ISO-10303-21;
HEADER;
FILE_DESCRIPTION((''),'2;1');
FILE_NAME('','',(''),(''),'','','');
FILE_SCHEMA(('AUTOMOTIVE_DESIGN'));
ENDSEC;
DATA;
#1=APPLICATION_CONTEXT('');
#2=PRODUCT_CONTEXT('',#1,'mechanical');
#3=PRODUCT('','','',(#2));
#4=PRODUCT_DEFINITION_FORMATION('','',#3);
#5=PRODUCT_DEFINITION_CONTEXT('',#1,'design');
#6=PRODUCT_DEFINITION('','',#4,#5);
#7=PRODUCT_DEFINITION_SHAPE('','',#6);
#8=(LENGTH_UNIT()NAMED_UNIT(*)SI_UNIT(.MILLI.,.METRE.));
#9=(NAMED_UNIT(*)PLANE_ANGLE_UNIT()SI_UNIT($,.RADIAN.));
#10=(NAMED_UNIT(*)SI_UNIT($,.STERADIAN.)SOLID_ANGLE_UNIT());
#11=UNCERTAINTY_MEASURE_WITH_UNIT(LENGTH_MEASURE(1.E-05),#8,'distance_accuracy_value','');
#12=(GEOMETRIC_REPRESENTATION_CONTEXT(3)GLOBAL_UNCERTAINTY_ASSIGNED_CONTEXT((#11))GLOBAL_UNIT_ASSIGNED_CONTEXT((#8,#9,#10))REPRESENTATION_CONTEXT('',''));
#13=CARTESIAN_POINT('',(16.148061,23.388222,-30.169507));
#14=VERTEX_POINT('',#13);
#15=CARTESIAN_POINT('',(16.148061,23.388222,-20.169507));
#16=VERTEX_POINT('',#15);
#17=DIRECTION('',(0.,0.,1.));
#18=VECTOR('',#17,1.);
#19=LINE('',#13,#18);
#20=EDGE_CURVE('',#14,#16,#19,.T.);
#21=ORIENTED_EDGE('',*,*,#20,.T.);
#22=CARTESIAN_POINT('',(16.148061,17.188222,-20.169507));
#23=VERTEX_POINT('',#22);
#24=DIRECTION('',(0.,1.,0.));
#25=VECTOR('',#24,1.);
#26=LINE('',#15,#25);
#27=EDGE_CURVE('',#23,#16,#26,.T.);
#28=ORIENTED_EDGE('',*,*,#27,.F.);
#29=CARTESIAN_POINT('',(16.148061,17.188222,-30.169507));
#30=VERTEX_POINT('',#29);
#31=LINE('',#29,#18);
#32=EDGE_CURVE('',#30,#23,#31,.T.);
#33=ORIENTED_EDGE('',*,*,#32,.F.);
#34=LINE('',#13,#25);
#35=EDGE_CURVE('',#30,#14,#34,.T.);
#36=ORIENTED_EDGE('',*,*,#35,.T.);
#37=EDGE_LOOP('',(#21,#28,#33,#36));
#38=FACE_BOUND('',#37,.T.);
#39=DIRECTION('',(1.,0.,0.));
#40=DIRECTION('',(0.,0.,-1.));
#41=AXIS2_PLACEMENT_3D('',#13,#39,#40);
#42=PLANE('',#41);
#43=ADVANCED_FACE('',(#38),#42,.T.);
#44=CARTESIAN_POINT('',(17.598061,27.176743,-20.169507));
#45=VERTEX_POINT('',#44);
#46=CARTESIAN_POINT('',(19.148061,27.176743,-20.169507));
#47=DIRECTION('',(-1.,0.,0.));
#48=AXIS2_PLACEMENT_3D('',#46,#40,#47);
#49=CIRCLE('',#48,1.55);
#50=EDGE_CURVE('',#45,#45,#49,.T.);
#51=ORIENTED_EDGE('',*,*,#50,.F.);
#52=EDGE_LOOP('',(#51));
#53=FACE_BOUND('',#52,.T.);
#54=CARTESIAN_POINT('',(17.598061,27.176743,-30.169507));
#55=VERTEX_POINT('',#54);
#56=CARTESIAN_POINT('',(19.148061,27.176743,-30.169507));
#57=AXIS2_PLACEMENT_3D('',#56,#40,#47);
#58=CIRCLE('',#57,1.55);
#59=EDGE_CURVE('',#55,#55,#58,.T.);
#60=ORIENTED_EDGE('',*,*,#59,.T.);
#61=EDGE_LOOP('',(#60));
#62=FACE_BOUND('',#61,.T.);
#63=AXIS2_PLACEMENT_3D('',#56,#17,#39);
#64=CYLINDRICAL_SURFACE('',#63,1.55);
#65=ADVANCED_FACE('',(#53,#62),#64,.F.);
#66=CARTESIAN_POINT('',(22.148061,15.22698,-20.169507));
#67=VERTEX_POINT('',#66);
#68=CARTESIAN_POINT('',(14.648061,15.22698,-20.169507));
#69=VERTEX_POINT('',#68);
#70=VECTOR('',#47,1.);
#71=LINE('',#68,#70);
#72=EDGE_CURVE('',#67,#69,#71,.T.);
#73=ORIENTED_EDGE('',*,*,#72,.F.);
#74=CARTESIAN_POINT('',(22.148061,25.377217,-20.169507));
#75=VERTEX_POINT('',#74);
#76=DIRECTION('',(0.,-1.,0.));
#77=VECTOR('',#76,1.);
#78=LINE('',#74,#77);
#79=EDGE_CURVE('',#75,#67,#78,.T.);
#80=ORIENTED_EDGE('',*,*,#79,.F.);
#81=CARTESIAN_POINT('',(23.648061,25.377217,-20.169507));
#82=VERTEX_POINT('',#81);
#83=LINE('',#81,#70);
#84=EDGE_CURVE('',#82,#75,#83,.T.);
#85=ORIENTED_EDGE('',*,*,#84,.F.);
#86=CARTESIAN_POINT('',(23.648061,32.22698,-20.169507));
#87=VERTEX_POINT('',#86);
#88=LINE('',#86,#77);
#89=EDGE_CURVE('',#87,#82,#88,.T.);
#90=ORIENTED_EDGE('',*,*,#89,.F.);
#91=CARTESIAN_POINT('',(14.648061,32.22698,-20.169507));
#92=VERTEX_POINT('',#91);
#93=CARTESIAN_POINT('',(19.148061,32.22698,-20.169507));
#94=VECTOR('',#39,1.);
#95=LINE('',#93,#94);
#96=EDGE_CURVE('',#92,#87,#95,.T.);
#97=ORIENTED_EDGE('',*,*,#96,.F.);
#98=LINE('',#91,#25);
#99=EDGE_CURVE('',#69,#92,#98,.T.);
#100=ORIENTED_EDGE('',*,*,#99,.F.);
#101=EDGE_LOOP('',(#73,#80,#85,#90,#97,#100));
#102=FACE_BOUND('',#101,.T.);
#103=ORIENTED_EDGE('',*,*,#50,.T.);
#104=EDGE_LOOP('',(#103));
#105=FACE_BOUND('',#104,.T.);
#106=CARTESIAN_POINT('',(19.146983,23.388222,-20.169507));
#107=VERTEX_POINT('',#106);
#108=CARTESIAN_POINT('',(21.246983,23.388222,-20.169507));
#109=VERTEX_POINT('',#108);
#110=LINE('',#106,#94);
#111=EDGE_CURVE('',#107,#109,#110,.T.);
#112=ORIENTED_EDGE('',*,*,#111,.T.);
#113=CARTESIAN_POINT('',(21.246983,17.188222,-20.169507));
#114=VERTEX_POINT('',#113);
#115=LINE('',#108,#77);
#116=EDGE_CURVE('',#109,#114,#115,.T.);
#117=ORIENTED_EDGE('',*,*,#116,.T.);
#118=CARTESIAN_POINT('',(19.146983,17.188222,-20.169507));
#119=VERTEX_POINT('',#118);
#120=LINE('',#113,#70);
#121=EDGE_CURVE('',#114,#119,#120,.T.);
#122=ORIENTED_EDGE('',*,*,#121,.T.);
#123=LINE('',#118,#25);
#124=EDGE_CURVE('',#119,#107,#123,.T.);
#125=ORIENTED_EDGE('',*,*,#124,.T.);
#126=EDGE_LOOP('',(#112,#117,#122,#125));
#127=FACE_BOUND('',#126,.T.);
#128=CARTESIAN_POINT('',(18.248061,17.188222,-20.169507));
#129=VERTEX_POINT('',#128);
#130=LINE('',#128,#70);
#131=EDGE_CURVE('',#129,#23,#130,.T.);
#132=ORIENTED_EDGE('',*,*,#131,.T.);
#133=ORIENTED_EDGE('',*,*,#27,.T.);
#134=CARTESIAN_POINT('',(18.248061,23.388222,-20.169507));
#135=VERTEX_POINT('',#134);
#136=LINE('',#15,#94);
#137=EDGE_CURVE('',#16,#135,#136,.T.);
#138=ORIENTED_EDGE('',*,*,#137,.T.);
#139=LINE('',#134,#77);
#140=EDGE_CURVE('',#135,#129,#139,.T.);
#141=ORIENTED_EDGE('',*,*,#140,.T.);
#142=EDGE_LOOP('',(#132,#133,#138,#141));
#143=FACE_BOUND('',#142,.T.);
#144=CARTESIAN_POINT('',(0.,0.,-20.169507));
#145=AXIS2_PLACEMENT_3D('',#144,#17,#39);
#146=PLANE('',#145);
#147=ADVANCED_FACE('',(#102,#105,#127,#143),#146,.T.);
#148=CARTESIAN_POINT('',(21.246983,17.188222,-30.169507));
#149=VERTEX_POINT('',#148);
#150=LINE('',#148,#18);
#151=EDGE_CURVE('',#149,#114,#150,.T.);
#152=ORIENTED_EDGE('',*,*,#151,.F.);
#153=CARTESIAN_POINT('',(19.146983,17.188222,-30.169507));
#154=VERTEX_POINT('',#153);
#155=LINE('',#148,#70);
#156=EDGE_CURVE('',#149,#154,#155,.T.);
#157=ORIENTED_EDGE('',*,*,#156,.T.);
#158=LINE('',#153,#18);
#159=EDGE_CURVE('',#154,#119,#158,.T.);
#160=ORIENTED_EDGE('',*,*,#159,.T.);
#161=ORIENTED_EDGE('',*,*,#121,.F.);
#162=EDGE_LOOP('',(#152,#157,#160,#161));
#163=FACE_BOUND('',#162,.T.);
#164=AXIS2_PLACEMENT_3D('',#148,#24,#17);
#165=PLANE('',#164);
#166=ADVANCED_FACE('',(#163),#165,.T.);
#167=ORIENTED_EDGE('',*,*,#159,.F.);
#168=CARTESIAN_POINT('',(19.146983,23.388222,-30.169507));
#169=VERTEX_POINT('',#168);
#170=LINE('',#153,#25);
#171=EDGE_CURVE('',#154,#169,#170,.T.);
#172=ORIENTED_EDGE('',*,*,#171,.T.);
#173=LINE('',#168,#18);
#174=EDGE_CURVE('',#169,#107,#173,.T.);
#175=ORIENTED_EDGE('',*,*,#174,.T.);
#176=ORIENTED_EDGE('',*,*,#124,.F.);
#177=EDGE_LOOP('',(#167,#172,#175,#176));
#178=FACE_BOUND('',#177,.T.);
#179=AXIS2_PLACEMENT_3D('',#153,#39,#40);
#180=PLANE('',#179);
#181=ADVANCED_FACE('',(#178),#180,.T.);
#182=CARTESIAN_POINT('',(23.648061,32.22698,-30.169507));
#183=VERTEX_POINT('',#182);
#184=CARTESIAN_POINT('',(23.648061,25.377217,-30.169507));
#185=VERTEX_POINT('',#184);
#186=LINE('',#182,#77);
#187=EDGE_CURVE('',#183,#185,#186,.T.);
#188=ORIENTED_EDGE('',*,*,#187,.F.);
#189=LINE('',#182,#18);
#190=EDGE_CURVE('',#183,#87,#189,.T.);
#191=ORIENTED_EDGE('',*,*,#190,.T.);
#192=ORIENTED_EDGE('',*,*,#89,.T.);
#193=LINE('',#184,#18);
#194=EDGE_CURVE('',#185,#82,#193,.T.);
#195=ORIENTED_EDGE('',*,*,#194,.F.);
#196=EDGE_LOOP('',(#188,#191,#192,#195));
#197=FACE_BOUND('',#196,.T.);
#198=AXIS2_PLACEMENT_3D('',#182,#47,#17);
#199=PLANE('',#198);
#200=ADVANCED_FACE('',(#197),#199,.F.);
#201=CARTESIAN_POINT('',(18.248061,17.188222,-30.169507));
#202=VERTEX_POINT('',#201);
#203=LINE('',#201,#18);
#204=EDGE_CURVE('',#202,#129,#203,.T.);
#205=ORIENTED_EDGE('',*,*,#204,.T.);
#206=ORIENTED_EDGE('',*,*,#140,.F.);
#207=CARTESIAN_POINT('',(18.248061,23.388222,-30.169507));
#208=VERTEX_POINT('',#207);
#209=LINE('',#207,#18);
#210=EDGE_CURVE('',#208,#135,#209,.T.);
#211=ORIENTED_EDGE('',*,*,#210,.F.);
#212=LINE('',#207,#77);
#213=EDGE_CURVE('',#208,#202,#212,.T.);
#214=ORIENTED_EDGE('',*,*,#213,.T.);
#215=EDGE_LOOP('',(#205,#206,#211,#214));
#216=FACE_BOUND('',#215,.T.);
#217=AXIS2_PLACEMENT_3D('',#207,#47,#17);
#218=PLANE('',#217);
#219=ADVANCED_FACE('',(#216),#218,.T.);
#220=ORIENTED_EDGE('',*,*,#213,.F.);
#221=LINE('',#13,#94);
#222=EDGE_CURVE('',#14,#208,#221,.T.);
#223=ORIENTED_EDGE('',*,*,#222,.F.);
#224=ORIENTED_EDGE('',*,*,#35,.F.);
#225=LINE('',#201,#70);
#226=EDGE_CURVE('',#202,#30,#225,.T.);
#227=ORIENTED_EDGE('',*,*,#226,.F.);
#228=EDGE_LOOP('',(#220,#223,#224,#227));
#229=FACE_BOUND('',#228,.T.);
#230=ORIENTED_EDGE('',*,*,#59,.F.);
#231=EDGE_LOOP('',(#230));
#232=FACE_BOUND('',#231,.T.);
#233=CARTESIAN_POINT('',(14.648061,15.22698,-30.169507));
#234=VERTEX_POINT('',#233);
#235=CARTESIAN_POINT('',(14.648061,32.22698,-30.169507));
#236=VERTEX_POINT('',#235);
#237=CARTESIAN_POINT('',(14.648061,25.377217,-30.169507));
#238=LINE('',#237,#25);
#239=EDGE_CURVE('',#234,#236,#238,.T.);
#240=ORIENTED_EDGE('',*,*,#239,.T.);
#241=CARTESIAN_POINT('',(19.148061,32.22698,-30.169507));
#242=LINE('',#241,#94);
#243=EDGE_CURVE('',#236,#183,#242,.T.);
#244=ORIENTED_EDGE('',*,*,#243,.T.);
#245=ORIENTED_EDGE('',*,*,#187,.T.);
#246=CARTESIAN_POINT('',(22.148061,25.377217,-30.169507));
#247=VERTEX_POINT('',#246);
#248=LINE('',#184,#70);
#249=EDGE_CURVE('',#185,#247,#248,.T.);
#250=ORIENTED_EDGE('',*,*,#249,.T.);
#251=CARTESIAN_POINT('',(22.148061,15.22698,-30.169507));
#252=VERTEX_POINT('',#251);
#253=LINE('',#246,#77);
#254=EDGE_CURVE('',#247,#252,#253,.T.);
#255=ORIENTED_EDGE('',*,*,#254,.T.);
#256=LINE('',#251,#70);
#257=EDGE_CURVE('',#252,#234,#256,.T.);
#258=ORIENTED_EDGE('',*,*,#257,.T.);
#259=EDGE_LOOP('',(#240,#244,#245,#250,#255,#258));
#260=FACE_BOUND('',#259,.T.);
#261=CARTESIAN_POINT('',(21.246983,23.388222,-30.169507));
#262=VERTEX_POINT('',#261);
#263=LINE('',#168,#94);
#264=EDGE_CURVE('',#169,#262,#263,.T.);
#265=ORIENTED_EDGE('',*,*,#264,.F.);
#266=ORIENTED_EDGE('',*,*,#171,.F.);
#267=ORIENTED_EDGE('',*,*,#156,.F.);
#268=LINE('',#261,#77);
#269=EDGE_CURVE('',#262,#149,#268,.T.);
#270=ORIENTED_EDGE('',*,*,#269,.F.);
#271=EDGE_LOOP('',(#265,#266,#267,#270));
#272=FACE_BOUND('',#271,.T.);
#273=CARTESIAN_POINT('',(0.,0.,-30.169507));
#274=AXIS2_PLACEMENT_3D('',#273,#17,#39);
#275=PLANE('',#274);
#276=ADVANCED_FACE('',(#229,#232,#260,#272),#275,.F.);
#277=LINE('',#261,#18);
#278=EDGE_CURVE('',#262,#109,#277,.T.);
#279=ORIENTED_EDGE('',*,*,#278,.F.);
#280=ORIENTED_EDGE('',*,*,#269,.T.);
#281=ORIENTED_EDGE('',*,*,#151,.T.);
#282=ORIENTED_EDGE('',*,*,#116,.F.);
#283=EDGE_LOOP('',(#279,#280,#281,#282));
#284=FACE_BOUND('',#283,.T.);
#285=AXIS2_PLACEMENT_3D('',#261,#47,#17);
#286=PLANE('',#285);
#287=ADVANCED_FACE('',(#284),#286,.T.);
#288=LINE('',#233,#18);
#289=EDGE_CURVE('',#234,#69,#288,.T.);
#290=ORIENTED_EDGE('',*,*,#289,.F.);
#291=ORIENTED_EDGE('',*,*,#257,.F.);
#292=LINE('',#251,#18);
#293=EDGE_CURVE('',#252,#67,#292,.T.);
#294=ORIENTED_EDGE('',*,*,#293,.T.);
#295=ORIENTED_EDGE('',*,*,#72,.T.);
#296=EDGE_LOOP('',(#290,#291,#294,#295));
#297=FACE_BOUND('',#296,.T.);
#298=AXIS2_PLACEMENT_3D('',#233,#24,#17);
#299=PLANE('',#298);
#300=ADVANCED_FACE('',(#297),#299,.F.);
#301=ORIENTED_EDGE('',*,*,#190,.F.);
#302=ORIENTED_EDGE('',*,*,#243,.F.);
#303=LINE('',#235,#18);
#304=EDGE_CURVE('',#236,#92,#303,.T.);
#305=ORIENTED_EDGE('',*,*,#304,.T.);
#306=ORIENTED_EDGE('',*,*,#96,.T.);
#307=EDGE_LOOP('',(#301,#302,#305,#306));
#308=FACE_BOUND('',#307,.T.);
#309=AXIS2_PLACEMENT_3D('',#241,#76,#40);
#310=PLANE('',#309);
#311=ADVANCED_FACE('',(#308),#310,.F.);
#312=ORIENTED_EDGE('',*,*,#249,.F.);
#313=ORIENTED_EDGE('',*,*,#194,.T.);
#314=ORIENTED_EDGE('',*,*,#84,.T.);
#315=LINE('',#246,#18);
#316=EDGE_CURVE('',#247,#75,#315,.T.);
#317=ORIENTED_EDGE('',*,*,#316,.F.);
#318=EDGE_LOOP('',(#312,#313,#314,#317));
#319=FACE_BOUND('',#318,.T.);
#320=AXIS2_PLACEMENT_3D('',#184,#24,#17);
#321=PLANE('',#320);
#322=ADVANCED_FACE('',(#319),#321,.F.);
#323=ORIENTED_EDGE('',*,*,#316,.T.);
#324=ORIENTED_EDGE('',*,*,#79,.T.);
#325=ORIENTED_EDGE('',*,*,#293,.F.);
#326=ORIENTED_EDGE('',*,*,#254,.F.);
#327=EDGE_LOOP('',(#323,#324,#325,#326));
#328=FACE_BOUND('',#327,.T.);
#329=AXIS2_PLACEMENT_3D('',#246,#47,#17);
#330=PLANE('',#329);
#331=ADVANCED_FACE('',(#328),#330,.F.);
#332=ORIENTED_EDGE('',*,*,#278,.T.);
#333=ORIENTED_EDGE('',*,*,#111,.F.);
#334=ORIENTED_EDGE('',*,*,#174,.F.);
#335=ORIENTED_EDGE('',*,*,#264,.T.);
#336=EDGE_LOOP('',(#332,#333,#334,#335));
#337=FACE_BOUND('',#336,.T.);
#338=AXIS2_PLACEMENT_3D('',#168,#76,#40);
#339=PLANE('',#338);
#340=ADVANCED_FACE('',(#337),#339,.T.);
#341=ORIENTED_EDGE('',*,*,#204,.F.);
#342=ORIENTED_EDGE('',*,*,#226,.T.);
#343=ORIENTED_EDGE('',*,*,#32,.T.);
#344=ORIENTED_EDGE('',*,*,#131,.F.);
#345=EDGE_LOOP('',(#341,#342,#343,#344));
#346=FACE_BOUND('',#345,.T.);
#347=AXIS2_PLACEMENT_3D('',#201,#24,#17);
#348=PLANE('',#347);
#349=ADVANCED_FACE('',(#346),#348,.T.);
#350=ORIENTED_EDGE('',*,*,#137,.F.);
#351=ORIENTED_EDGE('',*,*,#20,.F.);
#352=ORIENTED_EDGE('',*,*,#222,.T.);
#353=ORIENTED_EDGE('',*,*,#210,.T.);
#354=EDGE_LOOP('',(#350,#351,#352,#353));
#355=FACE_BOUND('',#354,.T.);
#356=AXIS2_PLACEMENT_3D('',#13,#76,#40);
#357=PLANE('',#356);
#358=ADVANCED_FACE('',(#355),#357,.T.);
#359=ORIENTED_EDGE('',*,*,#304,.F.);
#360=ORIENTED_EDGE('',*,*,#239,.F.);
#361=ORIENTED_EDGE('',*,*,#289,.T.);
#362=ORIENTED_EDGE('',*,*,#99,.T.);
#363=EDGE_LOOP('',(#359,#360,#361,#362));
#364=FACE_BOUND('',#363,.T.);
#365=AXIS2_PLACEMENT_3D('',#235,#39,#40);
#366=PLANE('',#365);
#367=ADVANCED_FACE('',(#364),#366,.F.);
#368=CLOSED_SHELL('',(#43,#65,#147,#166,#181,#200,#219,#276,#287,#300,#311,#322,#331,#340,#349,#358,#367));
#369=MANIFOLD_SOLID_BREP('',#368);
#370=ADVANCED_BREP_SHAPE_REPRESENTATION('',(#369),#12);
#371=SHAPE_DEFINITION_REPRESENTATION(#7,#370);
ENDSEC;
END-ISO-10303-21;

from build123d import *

# Parameters (mm, degrees)
SKIZZE2_R                       = 1.55
SKIZZE2_W                       = 2.1
SKIZZE2_H                       = 6.2
AUFSATZ_LINEAR_AUSTRAGEN1_DEPTH = 10


with BuildPart() as part:
    # Skizze2 → Aufsatz-Linear austragen1 (new body)
    with BuildSketch(Plane(origin=(0, 0, -20.169507331), x_dir=(-1, 0, 0), z_dir=(0, 0, -1))):
        Polygon((-22.148061032, 15.226980034), (-19.148061032, 15.226980034), (-16.448061032, 15.226980034), (-16.148061032, 15.226980034), (-14.648061032, 15.226980034), (-14.648061032, 25.377216735), (-14.648061032, 32.226980034), (-19.148061032, 32.226980034), (-23.648061032, 32.226980034), (-23.648061032, 25.377216735), (-22.148061032, 25.377216735), align=None)
        with Locations((-19.148061032, 27.176743334)):
            Circle(SKIZZE2_R, mode=Mode.SUBTRACT)
        with Locations((-17.198061032, 20.288222167)):
            Rectangle(SKIZZE2_W, SKIZZE2_H, mode=Mode.SUBTRACT)
        with Locations((-20.196983303, 20.288222167)):
            Rectangle(SKIZZE2_W, SKIZZE2_H, mode=Mode.SUBTRACT)
    extrude(amount=AUFSATZ_LINEAR_AUSTRAGEN1_DEPTH)


solid = part.part
